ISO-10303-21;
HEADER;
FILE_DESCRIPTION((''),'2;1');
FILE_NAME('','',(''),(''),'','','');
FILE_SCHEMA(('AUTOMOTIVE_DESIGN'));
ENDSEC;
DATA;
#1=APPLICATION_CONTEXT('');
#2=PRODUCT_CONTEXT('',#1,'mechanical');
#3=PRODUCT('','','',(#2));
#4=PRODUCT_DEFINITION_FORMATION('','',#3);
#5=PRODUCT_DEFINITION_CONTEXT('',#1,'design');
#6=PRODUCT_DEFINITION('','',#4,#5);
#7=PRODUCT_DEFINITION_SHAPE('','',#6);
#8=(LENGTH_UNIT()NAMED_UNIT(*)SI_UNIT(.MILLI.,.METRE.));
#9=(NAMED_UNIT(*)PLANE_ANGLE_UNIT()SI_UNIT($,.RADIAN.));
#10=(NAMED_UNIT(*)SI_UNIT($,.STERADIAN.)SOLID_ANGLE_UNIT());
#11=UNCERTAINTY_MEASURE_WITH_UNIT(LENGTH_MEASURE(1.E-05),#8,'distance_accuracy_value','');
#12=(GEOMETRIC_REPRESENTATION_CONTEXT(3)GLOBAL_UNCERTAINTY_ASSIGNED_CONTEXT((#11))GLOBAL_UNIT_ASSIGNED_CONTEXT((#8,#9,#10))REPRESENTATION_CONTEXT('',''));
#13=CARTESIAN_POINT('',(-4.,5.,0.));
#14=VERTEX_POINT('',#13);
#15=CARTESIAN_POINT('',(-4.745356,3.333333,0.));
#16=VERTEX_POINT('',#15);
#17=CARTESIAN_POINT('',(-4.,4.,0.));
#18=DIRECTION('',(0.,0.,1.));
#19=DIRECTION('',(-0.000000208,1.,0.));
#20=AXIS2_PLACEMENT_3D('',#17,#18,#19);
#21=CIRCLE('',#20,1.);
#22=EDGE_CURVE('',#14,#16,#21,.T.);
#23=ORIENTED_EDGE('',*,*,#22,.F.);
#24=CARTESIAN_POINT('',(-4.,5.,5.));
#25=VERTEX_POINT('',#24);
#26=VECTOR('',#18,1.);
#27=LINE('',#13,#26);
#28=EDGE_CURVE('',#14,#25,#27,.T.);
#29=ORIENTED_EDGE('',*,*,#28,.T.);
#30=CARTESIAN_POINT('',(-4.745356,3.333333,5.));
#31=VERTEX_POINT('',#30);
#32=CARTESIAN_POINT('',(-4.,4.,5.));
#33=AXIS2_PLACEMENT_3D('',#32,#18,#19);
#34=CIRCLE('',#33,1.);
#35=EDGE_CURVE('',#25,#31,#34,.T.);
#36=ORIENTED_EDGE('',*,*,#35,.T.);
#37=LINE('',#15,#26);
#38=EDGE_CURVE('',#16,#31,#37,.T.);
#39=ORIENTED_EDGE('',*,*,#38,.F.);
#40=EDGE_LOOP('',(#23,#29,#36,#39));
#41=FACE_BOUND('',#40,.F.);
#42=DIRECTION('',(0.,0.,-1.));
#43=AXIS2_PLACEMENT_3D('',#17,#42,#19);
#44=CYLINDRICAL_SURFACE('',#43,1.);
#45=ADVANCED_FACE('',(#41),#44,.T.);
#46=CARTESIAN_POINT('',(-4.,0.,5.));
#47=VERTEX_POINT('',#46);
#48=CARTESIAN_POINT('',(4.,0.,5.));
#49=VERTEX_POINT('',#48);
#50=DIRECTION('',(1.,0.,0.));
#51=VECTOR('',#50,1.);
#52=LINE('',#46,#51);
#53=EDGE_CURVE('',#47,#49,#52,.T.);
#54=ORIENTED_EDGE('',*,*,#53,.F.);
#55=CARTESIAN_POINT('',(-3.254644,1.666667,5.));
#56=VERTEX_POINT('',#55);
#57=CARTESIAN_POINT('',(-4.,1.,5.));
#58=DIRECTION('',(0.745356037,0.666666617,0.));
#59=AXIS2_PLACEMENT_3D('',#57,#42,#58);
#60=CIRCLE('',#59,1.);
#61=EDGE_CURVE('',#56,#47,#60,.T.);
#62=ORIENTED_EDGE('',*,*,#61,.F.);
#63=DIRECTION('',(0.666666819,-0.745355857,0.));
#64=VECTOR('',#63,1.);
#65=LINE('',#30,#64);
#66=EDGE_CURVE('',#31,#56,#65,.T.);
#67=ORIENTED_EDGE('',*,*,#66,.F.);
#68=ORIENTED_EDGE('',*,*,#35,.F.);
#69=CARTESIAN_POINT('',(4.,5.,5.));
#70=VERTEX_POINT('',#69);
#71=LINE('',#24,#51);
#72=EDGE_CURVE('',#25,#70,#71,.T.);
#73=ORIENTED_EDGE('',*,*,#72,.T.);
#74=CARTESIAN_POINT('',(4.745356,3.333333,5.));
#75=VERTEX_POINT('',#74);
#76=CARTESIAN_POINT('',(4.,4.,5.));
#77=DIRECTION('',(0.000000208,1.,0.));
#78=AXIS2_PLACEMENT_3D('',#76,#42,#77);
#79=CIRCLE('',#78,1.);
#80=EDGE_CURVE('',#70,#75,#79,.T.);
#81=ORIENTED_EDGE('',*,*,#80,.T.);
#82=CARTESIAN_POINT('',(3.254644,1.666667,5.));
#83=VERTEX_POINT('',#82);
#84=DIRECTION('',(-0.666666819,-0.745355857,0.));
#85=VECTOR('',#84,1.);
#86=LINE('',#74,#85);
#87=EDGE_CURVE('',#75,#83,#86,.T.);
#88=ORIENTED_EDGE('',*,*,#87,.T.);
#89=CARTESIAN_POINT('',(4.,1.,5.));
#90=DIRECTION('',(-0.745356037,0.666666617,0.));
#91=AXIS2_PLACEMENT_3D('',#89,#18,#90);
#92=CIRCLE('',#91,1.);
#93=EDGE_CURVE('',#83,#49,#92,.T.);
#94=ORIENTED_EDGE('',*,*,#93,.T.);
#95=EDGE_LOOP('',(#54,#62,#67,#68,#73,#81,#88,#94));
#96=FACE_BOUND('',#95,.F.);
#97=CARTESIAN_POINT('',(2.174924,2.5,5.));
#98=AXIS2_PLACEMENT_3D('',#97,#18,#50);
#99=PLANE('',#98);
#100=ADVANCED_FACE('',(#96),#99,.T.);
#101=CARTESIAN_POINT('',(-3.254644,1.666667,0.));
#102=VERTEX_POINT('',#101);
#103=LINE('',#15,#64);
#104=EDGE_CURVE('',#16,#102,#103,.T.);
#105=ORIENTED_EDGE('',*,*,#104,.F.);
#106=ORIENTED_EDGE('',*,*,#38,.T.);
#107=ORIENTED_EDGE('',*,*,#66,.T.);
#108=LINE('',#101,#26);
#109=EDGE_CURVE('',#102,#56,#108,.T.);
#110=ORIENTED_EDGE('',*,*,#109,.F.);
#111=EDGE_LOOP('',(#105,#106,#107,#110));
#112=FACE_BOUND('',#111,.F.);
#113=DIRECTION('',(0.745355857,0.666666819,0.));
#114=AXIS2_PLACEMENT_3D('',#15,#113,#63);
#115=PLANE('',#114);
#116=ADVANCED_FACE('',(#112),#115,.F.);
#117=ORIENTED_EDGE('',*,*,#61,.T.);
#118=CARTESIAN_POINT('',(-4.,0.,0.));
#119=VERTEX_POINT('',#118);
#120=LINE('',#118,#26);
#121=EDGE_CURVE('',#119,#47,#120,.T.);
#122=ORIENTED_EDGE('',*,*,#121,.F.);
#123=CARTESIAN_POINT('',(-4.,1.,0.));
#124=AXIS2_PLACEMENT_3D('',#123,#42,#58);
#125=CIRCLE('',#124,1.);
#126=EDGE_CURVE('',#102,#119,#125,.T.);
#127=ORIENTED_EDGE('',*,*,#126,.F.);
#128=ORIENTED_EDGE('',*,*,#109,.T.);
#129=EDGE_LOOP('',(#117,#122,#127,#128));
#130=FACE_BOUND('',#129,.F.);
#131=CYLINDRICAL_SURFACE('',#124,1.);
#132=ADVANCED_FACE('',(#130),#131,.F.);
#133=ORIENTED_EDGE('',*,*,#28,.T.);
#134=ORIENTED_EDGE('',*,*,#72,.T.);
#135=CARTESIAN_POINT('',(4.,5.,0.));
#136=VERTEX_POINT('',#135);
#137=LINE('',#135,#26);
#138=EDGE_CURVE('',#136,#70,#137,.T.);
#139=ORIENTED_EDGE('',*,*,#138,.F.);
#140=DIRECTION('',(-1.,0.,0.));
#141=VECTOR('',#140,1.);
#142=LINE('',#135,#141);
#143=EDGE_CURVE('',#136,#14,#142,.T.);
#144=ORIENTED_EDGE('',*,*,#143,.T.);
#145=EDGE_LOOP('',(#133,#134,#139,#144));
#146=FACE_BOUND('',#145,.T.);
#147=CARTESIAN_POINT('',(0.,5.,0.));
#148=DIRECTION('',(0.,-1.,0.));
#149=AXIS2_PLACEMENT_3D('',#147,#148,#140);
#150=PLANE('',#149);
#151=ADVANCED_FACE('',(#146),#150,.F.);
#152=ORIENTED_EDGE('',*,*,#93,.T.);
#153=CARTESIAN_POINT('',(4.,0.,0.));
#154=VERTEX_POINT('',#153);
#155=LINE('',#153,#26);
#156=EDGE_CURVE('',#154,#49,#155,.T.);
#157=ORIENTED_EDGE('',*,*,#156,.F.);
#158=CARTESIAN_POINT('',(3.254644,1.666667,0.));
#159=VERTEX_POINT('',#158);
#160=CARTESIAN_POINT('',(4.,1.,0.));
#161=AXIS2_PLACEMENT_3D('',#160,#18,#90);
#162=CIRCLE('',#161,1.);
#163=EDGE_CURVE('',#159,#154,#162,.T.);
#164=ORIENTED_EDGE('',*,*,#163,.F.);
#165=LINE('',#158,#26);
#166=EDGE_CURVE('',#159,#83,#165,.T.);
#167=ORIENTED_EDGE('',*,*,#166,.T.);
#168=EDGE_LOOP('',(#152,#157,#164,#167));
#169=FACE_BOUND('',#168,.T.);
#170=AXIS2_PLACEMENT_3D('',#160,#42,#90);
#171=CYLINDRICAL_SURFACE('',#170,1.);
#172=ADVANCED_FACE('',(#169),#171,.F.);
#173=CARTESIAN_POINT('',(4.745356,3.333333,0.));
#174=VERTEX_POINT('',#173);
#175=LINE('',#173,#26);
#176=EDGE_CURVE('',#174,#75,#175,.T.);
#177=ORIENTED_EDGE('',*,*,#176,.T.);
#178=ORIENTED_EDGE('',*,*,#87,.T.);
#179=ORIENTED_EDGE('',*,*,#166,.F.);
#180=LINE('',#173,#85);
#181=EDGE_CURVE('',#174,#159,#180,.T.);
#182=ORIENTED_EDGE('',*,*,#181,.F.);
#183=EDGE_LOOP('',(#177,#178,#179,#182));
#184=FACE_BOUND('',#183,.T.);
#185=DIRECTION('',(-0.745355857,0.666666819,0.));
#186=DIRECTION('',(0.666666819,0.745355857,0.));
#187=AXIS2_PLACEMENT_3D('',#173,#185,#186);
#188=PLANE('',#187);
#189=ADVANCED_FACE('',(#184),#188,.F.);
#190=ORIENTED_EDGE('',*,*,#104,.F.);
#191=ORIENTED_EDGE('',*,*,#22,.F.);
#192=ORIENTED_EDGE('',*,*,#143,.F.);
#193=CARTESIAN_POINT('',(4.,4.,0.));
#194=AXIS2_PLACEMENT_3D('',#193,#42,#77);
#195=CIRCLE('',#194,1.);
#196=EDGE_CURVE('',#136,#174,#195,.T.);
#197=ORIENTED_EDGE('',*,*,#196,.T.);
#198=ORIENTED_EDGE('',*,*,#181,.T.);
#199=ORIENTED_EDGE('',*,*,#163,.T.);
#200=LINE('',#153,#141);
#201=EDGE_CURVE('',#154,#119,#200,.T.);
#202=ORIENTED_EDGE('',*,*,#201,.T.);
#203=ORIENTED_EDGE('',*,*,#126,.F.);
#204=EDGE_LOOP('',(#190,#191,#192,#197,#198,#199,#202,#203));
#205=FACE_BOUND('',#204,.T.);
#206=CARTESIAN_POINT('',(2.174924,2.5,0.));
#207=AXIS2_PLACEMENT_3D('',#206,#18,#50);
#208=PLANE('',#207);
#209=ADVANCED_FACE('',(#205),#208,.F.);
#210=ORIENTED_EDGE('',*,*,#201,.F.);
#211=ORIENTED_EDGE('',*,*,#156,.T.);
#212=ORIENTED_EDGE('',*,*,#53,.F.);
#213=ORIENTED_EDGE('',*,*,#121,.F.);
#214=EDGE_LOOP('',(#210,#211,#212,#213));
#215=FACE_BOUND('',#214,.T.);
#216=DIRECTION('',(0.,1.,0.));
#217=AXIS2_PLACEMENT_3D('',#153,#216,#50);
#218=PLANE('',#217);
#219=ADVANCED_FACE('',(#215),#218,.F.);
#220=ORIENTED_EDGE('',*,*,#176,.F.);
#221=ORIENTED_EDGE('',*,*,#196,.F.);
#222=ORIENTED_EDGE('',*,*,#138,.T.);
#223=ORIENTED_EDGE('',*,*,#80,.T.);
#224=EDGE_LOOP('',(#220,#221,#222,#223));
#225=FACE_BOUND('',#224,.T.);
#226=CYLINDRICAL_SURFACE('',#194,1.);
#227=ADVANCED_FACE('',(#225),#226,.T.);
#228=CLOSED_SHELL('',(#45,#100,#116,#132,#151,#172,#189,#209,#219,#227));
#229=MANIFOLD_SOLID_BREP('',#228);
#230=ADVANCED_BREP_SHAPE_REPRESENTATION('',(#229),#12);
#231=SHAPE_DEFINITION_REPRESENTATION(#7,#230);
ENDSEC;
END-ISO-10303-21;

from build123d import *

# Parameters (mm, degrees)
F1_DEPTH = 5


with BuildPart() as f1:
    # F0 (on Top) → F1 (new body)
    with BuildSketch(Plane.XY):
        with BuildLine():
            Line((0, 5), (-4, 5))
            ThreePointArc((-4, 5), (-4.912871, 4.408248), (-4.745356, 3.333333))
            Line((-4.745356, 3.333333), (-3.254644, 1.666667))
            ThreePointArc((-3.254644, 1.666667), (-3.087129, 0.591752), (-4, 0))
            Line((-4, 0), (0, 0))
            Line((0, 0), (0, 5))
        make_face()
    extrude(amount=F1_DEPTH)

    # F2: F1 across face


with BuildPart() as f1_1:
    add(f1.part)
    add(f1.part.mirror(Plane(origin=(0, 2.5, 2.5), x_dir=(0, 1, 0), z_dir=(1, 0, 0))))


solid = f1_1.part
